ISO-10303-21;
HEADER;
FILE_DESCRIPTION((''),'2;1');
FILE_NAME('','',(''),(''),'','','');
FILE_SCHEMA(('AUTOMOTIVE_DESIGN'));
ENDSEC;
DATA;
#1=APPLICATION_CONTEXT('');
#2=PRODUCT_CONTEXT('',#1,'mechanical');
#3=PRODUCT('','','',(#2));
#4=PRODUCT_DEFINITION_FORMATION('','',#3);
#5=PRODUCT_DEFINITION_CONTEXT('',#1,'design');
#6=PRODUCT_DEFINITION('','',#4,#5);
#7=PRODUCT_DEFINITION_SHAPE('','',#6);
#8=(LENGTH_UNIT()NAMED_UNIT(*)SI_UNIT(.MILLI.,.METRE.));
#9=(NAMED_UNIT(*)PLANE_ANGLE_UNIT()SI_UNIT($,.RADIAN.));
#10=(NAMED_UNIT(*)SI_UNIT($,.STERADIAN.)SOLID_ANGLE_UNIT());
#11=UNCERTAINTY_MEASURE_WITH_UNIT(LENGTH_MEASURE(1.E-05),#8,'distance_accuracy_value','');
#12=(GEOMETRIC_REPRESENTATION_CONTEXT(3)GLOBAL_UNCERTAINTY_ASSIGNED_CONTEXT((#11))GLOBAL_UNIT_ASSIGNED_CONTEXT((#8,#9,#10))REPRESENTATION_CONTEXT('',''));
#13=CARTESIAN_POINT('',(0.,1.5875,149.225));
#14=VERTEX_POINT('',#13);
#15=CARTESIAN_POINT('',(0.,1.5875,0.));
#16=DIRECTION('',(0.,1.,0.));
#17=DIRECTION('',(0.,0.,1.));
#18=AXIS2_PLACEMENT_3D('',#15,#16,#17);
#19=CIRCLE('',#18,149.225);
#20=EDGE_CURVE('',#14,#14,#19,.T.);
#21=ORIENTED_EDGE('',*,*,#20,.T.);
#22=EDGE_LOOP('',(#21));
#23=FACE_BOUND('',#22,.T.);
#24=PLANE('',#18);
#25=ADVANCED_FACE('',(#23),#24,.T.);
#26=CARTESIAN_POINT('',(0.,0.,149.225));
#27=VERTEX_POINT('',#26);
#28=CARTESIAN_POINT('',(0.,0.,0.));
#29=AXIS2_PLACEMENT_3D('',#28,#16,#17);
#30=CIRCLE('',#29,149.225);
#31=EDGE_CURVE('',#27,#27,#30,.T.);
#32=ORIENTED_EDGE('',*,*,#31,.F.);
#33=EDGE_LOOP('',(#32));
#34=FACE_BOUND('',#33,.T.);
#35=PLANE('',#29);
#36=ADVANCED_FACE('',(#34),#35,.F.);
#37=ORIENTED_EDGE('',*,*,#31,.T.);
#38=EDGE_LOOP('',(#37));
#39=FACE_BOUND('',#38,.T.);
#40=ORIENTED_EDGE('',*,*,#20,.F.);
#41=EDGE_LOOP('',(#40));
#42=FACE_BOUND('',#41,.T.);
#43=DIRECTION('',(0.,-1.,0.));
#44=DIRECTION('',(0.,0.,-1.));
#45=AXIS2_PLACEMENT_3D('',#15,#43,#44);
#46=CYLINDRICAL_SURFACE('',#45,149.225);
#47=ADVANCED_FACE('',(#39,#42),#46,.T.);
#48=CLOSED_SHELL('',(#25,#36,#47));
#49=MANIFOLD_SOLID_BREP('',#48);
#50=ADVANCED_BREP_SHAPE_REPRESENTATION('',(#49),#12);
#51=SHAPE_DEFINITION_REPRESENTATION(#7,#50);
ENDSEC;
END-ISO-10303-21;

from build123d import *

# Parameters (mm, degrees)
SKETCH1_R           = 149.225
BOSS_EXTRUDE1_DEPTH = 1.5875


with BuildPart() as part:
    # Sketch1 → Boss-Extrude1 (new body)
    with BuildSketch(Plane(origin=(0, 0, 0), x_dir=(1, 0, 0), z_dir=(0, 1, 0))):
        with Locations(Location((0, 0, 0), (0, 0, 270))):
            Circle(SKETCH1_R)
    extrude(amount=BOSS_EXTRUDE1_DEPTH)


solid = part.part
